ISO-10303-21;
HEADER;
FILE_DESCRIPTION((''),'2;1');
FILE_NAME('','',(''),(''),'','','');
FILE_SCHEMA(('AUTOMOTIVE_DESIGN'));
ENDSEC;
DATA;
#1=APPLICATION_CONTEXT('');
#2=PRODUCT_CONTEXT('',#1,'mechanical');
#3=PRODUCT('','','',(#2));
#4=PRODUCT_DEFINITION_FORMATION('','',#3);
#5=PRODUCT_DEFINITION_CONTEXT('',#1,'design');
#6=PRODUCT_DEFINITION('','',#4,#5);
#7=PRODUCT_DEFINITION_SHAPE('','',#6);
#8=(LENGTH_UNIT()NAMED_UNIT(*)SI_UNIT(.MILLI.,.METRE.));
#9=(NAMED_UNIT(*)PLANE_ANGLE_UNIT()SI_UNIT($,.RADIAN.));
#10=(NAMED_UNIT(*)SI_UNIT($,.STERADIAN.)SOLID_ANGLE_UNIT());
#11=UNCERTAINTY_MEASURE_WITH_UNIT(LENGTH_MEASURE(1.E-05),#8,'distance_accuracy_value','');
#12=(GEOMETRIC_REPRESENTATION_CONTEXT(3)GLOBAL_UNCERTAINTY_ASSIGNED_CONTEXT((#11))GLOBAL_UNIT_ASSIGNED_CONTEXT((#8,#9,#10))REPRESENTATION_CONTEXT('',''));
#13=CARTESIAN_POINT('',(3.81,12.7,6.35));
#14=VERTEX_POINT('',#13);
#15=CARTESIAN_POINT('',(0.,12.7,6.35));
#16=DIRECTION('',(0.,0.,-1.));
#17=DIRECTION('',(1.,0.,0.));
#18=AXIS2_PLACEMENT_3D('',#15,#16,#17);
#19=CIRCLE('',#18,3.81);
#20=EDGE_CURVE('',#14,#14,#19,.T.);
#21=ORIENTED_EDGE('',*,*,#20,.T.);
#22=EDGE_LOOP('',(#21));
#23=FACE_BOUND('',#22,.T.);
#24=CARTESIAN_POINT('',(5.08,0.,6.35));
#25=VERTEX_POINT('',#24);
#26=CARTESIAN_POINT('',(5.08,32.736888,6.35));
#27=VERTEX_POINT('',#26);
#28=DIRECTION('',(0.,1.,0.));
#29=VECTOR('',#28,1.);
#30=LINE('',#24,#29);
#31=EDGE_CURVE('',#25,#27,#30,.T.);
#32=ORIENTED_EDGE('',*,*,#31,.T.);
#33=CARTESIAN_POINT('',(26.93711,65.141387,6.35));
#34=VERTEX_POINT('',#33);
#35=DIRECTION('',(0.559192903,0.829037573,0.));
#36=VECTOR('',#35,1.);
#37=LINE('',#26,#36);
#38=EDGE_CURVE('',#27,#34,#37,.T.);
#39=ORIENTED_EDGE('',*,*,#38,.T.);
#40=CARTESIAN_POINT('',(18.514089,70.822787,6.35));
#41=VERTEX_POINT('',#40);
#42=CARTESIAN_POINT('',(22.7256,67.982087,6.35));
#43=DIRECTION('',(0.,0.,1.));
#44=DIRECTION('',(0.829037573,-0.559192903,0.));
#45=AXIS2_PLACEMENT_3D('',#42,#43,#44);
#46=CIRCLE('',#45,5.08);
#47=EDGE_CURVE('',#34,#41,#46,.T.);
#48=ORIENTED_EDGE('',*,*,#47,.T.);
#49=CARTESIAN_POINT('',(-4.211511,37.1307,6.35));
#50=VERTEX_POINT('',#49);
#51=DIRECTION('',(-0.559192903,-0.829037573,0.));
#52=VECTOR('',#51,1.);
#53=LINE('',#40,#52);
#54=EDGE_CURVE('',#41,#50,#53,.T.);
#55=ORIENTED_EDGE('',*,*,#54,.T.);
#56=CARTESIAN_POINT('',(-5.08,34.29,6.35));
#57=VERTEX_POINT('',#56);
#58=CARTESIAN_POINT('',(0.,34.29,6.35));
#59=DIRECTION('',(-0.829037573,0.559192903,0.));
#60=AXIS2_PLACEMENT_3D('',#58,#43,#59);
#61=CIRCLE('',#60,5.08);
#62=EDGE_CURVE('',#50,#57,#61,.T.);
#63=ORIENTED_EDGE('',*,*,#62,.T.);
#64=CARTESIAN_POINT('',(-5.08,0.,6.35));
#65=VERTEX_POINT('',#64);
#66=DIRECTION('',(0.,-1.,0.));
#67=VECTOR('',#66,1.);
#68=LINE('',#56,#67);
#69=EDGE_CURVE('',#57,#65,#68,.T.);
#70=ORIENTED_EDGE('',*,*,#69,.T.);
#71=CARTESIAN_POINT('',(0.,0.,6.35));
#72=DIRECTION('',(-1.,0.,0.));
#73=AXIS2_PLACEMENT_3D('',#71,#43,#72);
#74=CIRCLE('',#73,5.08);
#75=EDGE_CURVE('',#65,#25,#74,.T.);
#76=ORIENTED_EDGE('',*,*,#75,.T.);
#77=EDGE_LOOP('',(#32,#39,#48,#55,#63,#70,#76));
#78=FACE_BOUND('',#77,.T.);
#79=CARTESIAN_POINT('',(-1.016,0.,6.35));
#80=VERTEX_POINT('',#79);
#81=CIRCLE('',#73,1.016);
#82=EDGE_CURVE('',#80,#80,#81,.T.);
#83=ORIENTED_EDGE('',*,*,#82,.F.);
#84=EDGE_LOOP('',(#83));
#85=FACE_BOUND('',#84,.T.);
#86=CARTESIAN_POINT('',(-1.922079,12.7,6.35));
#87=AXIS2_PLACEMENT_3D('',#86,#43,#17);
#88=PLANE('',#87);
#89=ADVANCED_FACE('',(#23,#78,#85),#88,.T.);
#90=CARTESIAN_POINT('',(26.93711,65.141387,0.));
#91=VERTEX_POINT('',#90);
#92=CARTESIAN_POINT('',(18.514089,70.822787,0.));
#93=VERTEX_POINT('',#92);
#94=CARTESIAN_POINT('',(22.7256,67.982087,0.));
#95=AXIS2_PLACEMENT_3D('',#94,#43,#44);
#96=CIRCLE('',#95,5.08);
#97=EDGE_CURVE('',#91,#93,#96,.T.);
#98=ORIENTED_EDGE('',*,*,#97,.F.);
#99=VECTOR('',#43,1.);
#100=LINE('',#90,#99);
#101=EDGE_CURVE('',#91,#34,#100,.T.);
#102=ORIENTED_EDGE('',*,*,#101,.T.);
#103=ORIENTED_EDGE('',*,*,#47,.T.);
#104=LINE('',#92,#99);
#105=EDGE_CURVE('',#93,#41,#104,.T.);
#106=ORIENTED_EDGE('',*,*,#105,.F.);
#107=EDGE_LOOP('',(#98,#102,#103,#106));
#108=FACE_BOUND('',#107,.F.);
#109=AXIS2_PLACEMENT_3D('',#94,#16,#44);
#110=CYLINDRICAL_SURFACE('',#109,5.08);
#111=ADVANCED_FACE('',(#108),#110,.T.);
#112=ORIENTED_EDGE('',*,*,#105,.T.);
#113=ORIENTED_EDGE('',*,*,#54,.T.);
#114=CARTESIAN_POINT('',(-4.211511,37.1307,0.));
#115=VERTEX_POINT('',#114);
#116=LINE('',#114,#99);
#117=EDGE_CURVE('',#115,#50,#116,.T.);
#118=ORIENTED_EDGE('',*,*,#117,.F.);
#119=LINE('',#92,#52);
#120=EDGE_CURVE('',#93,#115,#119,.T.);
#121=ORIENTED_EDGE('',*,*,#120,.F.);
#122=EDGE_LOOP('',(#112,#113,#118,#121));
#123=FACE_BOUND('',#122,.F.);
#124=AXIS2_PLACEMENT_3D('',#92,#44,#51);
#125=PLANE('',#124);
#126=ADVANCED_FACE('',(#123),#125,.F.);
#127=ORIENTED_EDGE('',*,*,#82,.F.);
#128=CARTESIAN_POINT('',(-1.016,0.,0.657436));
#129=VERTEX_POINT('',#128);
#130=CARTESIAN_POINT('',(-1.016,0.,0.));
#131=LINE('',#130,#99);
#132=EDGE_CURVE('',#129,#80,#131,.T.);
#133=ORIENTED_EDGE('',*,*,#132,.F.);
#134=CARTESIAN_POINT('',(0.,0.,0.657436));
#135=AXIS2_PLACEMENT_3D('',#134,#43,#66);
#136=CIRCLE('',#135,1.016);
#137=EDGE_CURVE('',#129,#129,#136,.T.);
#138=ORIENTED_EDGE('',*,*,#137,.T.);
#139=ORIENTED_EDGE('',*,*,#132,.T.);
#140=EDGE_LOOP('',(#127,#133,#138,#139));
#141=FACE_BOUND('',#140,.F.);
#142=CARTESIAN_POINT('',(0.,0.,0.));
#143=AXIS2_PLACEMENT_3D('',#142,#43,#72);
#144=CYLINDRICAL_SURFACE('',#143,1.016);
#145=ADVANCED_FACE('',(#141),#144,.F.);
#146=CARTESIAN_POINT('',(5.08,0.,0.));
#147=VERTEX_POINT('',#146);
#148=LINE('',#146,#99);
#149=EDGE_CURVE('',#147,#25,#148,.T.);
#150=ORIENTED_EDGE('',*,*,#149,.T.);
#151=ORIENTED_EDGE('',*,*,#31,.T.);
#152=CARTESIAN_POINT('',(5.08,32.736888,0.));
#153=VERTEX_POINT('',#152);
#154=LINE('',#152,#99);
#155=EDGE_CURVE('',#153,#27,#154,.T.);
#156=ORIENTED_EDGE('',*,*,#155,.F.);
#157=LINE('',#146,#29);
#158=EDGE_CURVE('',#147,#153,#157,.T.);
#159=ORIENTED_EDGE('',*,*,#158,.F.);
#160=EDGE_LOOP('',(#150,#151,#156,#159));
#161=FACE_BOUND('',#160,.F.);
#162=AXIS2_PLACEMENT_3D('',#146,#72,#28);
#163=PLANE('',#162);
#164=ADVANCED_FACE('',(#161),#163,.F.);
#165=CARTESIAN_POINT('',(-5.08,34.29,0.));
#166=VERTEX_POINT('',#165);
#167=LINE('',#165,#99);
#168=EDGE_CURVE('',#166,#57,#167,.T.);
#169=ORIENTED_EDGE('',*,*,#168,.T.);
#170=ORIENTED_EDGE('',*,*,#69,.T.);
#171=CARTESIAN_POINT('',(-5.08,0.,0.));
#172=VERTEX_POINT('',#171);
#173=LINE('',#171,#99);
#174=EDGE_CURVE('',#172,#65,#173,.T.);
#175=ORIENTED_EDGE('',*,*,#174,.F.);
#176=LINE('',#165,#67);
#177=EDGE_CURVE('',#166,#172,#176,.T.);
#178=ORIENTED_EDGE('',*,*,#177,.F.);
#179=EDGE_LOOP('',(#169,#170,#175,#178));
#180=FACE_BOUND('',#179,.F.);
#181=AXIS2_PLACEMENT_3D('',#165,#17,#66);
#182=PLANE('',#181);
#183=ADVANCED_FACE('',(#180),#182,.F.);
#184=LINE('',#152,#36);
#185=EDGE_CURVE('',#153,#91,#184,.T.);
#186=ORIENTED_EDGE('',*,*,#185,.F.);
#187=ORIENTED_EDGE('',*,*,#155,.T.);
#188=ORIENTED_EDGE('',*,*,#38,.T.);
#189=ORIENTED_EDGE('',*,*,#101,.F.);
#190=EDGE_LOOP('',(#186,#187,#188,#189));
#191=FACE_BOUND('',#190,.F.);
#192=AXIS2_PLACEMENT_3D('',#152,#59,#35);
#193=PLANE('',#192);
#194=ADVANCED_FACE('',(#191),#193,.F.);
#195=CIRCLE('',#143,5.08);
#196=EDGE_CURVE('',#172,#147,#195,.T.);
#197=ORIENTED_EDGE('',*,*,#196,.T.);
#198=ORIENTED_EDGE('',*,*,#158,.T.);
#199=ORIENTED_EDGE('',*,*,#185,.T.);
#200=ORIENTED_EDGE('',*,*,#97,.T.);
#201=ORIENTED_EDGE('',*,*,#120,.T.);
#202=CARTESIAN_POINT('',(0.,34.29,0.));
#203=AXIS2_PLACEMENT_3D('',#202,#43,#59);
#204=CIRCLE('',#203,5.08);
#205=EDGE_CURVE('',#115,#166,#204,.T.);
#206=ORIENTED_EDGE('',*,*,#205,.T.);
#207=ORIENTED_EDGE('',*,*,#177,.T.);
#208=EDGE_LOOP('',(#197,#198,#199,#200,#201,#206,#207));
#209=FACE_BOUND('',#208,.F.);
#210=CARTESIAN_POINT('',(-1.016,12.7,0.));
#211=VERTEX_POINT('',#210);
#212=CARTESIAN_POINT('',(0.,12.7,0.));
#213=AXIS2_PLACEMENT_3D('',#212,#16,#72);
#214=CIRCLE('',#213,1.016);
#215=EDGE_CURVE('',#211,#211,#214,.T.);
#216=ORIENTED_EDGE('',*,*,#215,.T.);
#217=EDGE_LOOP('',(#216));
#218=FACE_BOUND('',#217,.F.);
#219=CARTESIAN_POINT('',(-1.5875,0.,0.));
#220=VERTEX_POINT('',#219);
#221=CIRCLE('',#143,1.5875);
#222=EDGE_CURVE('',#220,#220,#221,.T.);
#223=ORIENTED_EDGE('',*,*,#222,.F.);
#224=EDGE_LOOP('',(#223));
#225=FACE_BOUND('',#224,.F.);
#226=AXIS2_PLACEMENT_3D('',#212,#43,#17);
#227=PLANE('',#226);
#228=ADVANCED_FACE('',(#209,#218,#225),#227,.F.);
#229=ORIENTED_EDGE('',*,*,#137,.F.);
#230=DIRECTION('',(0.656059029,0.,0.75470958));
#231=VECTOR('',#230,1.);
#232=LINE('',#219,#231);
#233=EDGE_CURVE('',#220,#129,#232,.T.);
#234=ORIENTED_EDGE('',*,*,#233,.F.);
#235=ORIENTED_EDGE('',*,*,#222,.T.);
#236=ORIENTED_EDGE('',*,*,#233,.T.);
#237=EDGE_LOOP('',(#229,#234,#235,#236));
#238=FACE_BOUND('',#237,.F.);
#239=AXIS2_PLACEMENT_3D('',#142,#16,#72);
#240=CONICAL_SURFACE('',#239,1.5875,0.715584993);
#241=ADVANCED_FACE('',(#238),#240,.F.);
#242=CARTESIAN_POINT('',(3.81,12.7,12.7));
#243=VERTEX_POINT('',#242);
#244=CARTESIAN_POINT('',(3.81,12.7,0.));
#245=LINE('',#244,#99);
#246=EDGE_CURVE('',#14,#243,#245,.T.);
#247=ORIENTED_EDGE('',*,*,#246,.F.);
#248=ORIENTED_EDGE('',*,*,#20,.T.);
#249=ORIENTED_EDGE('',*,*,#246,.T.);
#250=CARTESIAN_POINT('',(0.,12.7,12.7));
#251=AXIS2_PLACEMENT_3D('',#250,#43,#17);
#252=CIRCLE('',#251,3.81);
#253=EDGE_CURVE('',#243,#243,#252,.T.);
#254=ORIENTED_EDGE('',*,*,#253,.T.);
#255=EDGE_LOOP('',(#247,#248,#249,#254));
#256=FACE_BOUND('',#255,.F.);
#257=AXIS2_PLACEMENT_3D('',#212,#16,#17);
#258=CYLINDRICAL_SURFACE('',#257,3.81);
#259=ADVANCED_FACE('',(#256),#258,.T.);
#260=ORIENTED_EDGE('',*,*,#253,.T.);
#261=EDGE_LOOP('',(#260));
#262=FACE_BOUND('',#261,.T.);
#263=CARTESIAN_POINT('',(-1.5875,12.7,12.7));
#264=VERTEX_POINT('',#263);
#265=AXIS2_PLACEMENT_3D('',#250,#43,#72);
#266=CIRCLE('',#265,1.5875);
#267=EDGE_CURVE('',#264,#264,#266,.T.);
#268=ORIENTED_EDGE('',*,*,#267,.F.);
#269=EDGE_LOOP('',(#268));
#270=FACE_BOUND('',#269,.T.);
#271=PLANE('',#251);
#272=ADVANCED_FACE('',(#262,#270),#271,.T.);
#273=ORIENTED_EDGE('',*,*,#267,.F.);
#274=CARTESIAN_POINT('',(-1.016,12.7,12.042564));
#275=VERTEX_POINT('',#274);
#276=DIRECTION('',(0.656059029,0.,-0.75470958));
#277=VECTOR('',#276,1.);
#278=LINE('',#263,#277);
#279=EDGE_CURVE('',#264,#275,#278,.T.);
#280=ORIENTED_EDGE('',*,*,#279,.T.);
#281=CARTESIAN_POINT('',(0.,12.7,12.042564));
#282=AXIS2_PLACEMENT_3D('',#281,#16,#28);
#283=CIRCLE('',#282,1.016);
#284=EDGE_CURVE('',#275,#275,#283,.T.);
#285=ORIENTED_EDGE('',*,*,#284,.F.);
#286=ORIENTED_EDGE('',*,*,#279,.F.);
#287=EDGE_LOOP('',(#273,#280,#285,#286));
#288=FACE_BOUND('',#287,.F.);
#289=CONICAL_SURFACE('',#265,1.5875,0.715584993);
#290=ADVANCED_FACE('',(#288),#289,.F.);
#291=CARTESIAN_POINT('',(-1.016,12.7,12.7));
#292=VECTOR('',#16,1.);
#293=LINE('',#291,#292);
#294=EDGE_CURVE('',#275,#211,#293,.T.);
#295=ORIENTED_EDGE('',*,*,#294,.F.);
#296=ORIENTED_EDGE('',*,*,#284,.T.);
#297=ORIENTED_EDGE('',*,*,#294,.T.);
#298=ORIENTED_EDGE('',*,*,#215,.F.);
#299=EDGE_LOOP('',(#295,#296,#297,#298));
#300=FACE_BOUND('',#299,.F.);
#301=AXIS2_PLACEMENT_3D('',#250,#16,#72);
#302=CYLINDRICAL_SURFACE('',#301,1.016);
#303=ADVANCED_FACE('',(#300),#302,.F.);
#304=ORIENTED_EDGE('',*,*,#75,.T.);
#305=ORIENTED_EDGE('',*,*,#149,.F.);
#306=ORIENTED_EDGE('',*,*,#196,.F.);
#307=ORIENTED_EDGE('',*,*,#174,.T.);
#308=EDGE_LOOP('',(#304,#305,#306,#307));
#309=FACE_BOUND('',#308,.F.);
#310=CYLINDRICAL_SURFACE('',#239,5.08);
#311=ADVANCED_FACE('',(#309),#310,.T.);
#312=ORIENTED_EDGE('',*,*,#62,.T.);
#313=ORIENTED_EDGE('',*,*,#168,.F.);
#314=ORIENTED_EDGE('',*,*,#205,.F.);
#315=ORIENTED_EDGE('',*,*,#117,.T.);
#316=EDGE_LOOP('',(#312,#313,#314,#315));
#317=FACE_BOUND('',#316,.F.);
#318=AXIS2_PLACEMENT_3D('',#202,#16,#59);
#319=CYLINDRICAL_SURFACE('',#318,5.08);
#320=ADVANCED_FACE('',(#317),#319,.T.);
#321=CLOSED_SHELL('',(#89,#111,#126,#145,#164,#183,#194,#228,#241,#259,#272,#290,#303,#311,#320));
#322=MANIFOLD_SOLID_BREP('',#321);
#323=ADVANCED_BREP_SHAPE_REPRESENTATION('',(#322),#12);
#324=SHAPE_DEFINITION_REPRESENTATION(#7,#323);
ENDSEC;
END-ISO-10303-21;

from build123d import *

# Parameters (mm, degrees)
F1_DEPTH       = 6.35
F2_R           = 3.81
F3_DEPTH       = 12.7
F5_D           = 2.032
F5_CSINK_D     = 3.175
F5_CSINK_ANGLE = 82
F6_D           = 2.032
F6_CSINK_D     = 3.175
F6_CSINK_ANGLE = 82


with BuildPart() as f1:
    # F0 (on Top) → F1 (new body)
    with BuildSketch(Plane.XY):
        with BuildLine():
            ThreePointArc((-5.08, 12.7), (-3.5921024484, 9.1078975516), (0, 7.62))
            Line((0, 7.62), (0, 12.7))
            Line((0, 12.7), (0, 17.78))
            ThreePointArc((0, 17.78), (-3.5921024484, 16.2921024484), (-5.08, 12.7))
        make_face()
        with BuildLine():
            Line((0, 12.7), (0, 7.62))
            ThreePointArc((0, 7.62), (3.5921024484, 9.1078975516), (5.08, 12.7))
            ThreePointArc((5.08, 12.7), (3.5921024484, 16.2921024484), (0, 17.78))
            Line((0, 17.78), (0, 12.7))
        make_face()
        with BuildLine():
            ThreePointArc((5.08, 12.7), (3.5921024484, 9.1078975516), (0, 7.62))
            ThreePointArc((0, 7.62), (-3.5921024484, 9.1078975516), (-5.08, 12.7))
            Line((-5.08, 12.7), (-5.08, 0))
            ThreePointArc((-5.08, 0), (0, -5.08), (5.08, 0))
            Line((5.08, 0), (5.08, 12.7))
        make_face()
        with BuildLine():
            ThreePointArc((0, 17.78), (3.5921024484, 16.2921024484), (5.08, 12.7))
            Line((5.08, 12.7), (5.08, 32.7368881382))
            Line((5.08, 32.7368881382), (4.2115108686, 31.4493000504))
            ThreePointArc((4.2115108686, 31.4493000504), (2.384915539, 29.8046262283), (0, 29.21))
            Line((0, 29.21), (0, 17.78))
        make_face()
        with BuildLine():
            Line((-5.08, 34.29), (-5.08, 12.7))
            ThreePointArc((-5.08, 12.7), (-3.5921024484, 16.2921024484), (0, 17.78))
            Line((0, 17.78), (0, 29.21))
            ThreePointArc((0, 29.21), (-3.5921024484, 30.6978975516), (-5.08, 34.29))
        make_face()
        with BuildLine():
            Line((5.08, 34.29), (5.08, 32.7368881382))
            Line((5.08, 32.7368881382), (26.9371104656, 65.141386999))
            ThreePointArc((26.9371104656, 65.141386999), (25.5662995467, 72.1935978172), (18.5140887285, 70.8227868983))
            Line((18.5140887285, 70.8227868983), (-4.2115108686, 37.1306999496))
            ThreePointArc((-4.2115108686, 37.1306999496), (-0.9693096965, 39.2766660919), (2.8406999496, 38.5015108686))
            ThreePointArc((2.8406999496, 38.5015108686), (4.4853737717, 36.674915539), (5.08, 34.29))
        make_face()
        with BuildLine():
            Line((4.2115108686, 31.4493000504), (5.08, 32.7368881382))
            Line((5.08, 32.7368881382), (5.08, 34.29))
            ThreePointArc((5.08, 34.29), (4.4853737717, 36.674915539), (2.8406999496, 38.5015108686))
            Line((2.8406999496, 38.5015108686), (0, 34.29))
            Line((0, 34.29), (0, 29.21))
            ThreePointArc((0, 29.21), (2.384915539, 29.8046262283), (4.2115108686, 31.4493000504))
        make_face()
        with BuildLine():
            ThreePointArc((-4.2115108686, 37.1306999496), (-4.8580281603, 35.77524826), (-5.08, 34.29))
            ThreePointArc((-5.08, 34.29), (-3.5921024484, 30.6978975516), (0, 29.21))
            Line((0, 29.21), (0, 34.29))
            Line((0, 34.29), (2.8406999496, 38.5015108686))
            ThreePointArc((2.8406999496, 38.5015108686), (-0.9693096965, 39.2766660919), (-4.2115108686, 37.1306999496))
        make_face()
    extrude(amount=F1_DEPTH)

    # F2 (on Top) → F3 (join)
    with BuildSketch(Plane.XY):
        with Locations((0, 12.7)):
            Circle(F2_R)
    extrude(amount=F3_DEPTH)

    # F5 (through all)
    with Locations(Plane.XY.offset(12.7)):
        with Locations((0, 12.7)):
            CounterSinkHole(F5_D / 2, F5_CSINK_D / 2, counter_sink_angle=F5_CSINK_ANGLE)

    # F6 (through all)
    with Locations(Plane(origin=(0, 0, 0), x_dir=(1, 0, 0), z_dir=(0, 0, -1))):
        with Locations((0, 0)):
            CounterSinkHole(F6_D / 2, F6_CSINK_D / 2, counter_sink_angle=F6_CSINK_ANGLE)


solid = f1.part
